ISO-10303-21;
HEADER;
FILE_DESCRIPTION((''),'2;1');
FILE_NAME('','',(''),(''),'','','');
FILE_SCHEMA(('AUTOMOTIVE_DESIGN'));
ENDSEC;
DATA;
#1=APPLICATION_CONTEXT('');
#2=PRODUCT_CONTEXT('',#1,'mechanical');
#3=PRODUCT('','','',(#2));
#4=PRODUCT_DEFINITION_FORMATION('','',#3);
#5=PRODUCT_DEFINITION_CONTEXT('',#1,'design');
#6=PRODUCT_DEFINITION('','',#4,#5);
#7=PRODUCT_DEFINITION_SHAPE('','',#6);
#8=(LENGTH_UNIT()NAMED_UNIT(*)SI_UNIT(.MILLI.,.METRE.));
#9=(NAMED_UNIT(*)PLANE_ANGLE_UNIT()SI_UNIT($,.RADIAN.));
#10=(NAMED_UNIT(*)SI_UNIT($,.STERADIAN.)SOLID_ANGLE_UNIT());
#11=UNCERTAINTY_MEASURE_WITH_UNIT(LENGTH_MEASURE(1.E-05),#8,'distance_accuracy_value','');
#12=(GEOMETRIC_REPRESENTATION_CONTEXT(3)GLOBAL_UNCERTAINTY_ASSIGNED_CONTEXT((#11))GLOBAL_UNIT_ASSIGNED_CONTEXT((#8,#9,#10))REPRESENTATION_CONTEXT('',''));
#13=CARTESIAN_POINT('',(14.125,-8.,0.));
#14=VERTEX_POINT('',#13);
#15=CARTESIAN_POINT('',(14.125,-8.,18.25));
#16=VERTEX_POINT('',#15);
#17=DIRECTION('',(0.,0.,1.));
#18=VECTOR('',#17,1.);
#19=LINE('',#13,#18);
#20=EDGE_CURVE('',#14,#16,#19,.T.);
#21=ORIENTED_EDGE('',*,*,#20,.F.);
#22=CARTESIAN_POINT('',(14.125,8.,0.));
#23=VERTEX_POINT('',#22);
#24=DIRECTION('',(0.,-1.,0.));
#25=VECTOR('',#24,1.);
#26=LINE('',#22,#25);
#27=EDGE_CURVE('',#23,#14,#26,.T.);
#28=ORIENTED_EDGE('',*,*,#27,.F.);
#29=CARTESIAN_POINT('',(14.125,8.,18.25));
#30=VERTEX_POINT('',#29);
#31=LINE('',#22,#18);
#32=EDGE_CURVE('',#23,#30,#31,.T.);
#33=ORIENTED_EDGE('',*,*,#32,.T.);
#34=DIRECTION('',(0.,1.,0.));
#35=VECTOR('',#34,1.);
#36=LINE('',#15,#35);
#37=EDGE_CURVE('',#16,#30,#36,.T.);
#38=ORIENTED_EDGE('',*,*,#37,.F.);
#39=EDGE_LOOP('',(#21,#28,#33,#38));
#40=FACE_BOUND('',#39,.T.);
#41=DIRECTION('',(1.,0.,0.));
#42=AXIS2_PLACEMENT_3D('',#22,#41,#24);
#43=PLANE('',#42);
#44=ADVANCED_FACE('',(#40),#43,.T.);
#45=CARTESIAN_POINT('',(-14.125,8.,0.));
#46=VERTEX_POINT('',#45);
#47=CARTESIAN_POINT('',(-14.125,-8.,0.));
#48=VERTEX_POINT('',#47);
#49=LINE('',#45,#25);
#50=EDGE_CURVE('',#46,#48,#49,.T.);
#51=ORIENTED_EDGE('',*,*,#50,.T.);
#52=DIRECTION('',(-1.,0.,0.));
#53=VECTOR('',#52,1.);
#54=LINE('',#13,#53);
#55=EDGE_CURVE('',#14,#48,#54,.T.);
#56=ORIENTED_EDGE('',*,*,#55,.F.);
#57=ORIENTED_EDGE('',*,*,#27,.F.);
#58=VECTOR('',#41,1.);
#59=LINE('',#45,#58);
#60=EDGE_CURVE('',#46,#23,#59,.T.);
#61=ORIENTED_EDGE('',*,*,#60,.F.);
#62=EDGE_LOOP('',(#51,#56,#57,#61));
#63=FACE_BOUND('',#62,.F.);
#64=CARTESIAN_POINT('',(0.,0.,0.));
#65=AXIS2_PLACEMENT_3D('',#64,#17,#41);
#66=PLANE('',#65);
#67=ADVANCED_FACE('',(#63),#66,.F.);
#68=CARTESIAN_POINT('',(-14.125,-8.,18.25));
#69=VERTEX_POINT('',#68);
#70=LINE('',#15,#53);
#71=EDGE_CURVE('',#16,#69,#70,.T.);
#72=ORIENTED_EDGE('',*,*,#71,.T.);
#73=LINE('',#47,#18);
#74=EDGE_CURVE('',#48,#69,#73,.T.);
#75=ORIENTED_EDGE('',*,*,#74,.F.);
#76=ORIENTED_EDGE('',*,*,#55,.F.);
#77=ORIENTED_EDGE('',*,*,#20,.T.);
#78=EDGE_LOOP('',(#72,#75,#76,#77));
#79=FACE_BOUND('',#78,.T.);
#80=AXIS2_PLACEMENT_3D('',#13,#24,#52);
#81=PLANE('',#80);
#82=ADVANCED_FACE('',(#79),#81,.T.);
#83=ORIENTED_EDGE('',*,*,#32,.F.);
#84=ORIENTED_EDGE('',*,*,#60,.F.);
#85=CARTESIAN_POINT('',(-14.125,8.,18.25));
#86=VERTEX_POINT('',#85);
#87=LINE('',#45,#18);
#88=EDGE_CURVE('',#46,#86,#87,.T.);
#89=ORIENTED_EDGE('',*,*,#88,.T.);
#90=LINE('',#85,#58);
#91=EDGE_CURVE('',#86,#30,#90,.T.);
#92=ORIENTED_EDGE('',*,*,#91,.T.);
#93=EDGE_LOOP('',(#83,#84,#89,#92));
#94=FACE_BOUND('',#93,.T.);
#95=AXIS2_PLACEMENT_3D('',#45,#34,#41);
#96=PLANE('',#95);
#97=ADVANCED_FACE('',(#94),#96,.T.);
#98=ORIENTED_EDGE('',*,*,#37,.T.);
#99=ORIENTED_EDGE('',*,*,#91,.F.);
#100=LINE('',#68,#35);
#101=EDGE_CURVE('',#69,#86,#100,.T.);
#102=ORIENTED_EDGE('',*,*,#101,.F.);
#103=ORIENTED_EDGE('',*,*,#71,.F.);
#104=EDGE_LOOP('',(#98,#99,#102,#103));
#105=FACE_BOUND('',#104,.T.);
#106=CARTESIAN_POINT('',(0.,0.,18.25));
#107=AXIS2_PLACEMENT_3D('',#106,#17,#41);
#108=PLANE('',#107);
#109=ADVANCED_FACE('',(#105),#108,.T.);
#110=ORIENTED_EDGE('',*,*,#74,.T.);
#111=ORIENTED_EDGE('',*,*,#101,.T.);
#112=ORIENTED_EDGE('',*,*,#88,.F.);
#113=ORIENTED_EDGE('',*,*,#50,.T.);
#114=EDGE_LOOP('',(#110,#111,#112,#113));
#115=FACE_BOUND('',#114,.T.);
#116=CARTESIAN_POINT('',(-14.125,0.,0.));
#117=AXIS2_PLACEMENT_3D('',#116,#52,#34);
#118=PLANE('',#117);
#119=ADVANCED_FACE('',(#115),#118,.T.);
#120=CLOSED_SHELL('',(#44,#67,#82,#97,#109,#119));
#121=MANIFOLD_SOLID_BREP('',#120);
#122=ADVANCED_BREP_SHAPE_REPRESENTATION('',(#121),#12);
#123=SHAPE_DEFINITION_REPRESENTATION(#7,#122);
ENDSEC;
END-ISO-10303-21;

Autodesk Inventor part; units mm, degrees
ref_plane "YZ Plane" through (0, 0, 0) normal (1, 0, 0) x (0, 1, 0)
ref_plane "XZ Plane" through (0, 0, 0) normal (0, 1, 0) x (-1, 0, 0)
ref_plane "XY Plane" through (0, 0, 0) normal (0, 0, 1) x (1, 0, 0)
sketch "Sketch1" plane through (0, 0, 0) normal (0, 0, 1) x (1, 0, 0)
  line L0 (0, 0) -> (14.125, 0)
  line L1 (14.125, 0) -> (-14.125, 0)
  line L2 (-14.125, 0) -> (-14.125, -8)
  line L3 (-14.125, -8) -> (-14.125, 8)
  line L4 (-14.125, 8) -> (14.125, 8)
  line L5 (14.125, 8) -> (14.125, -8)
  line L6 (14.125, -8) -> (-14.125, -8)
  line L7 (-14.125, -8) -> (-14.125, 8)
  dimension "d0" = 14.125
  dimension "d1" = 28.25
  dimension "d2" = 8
  dimension "d3" = 16
extrude "Extrusion1" add sketch "Sketch1" along normal blind 18.25
properties part number "Button_base"
